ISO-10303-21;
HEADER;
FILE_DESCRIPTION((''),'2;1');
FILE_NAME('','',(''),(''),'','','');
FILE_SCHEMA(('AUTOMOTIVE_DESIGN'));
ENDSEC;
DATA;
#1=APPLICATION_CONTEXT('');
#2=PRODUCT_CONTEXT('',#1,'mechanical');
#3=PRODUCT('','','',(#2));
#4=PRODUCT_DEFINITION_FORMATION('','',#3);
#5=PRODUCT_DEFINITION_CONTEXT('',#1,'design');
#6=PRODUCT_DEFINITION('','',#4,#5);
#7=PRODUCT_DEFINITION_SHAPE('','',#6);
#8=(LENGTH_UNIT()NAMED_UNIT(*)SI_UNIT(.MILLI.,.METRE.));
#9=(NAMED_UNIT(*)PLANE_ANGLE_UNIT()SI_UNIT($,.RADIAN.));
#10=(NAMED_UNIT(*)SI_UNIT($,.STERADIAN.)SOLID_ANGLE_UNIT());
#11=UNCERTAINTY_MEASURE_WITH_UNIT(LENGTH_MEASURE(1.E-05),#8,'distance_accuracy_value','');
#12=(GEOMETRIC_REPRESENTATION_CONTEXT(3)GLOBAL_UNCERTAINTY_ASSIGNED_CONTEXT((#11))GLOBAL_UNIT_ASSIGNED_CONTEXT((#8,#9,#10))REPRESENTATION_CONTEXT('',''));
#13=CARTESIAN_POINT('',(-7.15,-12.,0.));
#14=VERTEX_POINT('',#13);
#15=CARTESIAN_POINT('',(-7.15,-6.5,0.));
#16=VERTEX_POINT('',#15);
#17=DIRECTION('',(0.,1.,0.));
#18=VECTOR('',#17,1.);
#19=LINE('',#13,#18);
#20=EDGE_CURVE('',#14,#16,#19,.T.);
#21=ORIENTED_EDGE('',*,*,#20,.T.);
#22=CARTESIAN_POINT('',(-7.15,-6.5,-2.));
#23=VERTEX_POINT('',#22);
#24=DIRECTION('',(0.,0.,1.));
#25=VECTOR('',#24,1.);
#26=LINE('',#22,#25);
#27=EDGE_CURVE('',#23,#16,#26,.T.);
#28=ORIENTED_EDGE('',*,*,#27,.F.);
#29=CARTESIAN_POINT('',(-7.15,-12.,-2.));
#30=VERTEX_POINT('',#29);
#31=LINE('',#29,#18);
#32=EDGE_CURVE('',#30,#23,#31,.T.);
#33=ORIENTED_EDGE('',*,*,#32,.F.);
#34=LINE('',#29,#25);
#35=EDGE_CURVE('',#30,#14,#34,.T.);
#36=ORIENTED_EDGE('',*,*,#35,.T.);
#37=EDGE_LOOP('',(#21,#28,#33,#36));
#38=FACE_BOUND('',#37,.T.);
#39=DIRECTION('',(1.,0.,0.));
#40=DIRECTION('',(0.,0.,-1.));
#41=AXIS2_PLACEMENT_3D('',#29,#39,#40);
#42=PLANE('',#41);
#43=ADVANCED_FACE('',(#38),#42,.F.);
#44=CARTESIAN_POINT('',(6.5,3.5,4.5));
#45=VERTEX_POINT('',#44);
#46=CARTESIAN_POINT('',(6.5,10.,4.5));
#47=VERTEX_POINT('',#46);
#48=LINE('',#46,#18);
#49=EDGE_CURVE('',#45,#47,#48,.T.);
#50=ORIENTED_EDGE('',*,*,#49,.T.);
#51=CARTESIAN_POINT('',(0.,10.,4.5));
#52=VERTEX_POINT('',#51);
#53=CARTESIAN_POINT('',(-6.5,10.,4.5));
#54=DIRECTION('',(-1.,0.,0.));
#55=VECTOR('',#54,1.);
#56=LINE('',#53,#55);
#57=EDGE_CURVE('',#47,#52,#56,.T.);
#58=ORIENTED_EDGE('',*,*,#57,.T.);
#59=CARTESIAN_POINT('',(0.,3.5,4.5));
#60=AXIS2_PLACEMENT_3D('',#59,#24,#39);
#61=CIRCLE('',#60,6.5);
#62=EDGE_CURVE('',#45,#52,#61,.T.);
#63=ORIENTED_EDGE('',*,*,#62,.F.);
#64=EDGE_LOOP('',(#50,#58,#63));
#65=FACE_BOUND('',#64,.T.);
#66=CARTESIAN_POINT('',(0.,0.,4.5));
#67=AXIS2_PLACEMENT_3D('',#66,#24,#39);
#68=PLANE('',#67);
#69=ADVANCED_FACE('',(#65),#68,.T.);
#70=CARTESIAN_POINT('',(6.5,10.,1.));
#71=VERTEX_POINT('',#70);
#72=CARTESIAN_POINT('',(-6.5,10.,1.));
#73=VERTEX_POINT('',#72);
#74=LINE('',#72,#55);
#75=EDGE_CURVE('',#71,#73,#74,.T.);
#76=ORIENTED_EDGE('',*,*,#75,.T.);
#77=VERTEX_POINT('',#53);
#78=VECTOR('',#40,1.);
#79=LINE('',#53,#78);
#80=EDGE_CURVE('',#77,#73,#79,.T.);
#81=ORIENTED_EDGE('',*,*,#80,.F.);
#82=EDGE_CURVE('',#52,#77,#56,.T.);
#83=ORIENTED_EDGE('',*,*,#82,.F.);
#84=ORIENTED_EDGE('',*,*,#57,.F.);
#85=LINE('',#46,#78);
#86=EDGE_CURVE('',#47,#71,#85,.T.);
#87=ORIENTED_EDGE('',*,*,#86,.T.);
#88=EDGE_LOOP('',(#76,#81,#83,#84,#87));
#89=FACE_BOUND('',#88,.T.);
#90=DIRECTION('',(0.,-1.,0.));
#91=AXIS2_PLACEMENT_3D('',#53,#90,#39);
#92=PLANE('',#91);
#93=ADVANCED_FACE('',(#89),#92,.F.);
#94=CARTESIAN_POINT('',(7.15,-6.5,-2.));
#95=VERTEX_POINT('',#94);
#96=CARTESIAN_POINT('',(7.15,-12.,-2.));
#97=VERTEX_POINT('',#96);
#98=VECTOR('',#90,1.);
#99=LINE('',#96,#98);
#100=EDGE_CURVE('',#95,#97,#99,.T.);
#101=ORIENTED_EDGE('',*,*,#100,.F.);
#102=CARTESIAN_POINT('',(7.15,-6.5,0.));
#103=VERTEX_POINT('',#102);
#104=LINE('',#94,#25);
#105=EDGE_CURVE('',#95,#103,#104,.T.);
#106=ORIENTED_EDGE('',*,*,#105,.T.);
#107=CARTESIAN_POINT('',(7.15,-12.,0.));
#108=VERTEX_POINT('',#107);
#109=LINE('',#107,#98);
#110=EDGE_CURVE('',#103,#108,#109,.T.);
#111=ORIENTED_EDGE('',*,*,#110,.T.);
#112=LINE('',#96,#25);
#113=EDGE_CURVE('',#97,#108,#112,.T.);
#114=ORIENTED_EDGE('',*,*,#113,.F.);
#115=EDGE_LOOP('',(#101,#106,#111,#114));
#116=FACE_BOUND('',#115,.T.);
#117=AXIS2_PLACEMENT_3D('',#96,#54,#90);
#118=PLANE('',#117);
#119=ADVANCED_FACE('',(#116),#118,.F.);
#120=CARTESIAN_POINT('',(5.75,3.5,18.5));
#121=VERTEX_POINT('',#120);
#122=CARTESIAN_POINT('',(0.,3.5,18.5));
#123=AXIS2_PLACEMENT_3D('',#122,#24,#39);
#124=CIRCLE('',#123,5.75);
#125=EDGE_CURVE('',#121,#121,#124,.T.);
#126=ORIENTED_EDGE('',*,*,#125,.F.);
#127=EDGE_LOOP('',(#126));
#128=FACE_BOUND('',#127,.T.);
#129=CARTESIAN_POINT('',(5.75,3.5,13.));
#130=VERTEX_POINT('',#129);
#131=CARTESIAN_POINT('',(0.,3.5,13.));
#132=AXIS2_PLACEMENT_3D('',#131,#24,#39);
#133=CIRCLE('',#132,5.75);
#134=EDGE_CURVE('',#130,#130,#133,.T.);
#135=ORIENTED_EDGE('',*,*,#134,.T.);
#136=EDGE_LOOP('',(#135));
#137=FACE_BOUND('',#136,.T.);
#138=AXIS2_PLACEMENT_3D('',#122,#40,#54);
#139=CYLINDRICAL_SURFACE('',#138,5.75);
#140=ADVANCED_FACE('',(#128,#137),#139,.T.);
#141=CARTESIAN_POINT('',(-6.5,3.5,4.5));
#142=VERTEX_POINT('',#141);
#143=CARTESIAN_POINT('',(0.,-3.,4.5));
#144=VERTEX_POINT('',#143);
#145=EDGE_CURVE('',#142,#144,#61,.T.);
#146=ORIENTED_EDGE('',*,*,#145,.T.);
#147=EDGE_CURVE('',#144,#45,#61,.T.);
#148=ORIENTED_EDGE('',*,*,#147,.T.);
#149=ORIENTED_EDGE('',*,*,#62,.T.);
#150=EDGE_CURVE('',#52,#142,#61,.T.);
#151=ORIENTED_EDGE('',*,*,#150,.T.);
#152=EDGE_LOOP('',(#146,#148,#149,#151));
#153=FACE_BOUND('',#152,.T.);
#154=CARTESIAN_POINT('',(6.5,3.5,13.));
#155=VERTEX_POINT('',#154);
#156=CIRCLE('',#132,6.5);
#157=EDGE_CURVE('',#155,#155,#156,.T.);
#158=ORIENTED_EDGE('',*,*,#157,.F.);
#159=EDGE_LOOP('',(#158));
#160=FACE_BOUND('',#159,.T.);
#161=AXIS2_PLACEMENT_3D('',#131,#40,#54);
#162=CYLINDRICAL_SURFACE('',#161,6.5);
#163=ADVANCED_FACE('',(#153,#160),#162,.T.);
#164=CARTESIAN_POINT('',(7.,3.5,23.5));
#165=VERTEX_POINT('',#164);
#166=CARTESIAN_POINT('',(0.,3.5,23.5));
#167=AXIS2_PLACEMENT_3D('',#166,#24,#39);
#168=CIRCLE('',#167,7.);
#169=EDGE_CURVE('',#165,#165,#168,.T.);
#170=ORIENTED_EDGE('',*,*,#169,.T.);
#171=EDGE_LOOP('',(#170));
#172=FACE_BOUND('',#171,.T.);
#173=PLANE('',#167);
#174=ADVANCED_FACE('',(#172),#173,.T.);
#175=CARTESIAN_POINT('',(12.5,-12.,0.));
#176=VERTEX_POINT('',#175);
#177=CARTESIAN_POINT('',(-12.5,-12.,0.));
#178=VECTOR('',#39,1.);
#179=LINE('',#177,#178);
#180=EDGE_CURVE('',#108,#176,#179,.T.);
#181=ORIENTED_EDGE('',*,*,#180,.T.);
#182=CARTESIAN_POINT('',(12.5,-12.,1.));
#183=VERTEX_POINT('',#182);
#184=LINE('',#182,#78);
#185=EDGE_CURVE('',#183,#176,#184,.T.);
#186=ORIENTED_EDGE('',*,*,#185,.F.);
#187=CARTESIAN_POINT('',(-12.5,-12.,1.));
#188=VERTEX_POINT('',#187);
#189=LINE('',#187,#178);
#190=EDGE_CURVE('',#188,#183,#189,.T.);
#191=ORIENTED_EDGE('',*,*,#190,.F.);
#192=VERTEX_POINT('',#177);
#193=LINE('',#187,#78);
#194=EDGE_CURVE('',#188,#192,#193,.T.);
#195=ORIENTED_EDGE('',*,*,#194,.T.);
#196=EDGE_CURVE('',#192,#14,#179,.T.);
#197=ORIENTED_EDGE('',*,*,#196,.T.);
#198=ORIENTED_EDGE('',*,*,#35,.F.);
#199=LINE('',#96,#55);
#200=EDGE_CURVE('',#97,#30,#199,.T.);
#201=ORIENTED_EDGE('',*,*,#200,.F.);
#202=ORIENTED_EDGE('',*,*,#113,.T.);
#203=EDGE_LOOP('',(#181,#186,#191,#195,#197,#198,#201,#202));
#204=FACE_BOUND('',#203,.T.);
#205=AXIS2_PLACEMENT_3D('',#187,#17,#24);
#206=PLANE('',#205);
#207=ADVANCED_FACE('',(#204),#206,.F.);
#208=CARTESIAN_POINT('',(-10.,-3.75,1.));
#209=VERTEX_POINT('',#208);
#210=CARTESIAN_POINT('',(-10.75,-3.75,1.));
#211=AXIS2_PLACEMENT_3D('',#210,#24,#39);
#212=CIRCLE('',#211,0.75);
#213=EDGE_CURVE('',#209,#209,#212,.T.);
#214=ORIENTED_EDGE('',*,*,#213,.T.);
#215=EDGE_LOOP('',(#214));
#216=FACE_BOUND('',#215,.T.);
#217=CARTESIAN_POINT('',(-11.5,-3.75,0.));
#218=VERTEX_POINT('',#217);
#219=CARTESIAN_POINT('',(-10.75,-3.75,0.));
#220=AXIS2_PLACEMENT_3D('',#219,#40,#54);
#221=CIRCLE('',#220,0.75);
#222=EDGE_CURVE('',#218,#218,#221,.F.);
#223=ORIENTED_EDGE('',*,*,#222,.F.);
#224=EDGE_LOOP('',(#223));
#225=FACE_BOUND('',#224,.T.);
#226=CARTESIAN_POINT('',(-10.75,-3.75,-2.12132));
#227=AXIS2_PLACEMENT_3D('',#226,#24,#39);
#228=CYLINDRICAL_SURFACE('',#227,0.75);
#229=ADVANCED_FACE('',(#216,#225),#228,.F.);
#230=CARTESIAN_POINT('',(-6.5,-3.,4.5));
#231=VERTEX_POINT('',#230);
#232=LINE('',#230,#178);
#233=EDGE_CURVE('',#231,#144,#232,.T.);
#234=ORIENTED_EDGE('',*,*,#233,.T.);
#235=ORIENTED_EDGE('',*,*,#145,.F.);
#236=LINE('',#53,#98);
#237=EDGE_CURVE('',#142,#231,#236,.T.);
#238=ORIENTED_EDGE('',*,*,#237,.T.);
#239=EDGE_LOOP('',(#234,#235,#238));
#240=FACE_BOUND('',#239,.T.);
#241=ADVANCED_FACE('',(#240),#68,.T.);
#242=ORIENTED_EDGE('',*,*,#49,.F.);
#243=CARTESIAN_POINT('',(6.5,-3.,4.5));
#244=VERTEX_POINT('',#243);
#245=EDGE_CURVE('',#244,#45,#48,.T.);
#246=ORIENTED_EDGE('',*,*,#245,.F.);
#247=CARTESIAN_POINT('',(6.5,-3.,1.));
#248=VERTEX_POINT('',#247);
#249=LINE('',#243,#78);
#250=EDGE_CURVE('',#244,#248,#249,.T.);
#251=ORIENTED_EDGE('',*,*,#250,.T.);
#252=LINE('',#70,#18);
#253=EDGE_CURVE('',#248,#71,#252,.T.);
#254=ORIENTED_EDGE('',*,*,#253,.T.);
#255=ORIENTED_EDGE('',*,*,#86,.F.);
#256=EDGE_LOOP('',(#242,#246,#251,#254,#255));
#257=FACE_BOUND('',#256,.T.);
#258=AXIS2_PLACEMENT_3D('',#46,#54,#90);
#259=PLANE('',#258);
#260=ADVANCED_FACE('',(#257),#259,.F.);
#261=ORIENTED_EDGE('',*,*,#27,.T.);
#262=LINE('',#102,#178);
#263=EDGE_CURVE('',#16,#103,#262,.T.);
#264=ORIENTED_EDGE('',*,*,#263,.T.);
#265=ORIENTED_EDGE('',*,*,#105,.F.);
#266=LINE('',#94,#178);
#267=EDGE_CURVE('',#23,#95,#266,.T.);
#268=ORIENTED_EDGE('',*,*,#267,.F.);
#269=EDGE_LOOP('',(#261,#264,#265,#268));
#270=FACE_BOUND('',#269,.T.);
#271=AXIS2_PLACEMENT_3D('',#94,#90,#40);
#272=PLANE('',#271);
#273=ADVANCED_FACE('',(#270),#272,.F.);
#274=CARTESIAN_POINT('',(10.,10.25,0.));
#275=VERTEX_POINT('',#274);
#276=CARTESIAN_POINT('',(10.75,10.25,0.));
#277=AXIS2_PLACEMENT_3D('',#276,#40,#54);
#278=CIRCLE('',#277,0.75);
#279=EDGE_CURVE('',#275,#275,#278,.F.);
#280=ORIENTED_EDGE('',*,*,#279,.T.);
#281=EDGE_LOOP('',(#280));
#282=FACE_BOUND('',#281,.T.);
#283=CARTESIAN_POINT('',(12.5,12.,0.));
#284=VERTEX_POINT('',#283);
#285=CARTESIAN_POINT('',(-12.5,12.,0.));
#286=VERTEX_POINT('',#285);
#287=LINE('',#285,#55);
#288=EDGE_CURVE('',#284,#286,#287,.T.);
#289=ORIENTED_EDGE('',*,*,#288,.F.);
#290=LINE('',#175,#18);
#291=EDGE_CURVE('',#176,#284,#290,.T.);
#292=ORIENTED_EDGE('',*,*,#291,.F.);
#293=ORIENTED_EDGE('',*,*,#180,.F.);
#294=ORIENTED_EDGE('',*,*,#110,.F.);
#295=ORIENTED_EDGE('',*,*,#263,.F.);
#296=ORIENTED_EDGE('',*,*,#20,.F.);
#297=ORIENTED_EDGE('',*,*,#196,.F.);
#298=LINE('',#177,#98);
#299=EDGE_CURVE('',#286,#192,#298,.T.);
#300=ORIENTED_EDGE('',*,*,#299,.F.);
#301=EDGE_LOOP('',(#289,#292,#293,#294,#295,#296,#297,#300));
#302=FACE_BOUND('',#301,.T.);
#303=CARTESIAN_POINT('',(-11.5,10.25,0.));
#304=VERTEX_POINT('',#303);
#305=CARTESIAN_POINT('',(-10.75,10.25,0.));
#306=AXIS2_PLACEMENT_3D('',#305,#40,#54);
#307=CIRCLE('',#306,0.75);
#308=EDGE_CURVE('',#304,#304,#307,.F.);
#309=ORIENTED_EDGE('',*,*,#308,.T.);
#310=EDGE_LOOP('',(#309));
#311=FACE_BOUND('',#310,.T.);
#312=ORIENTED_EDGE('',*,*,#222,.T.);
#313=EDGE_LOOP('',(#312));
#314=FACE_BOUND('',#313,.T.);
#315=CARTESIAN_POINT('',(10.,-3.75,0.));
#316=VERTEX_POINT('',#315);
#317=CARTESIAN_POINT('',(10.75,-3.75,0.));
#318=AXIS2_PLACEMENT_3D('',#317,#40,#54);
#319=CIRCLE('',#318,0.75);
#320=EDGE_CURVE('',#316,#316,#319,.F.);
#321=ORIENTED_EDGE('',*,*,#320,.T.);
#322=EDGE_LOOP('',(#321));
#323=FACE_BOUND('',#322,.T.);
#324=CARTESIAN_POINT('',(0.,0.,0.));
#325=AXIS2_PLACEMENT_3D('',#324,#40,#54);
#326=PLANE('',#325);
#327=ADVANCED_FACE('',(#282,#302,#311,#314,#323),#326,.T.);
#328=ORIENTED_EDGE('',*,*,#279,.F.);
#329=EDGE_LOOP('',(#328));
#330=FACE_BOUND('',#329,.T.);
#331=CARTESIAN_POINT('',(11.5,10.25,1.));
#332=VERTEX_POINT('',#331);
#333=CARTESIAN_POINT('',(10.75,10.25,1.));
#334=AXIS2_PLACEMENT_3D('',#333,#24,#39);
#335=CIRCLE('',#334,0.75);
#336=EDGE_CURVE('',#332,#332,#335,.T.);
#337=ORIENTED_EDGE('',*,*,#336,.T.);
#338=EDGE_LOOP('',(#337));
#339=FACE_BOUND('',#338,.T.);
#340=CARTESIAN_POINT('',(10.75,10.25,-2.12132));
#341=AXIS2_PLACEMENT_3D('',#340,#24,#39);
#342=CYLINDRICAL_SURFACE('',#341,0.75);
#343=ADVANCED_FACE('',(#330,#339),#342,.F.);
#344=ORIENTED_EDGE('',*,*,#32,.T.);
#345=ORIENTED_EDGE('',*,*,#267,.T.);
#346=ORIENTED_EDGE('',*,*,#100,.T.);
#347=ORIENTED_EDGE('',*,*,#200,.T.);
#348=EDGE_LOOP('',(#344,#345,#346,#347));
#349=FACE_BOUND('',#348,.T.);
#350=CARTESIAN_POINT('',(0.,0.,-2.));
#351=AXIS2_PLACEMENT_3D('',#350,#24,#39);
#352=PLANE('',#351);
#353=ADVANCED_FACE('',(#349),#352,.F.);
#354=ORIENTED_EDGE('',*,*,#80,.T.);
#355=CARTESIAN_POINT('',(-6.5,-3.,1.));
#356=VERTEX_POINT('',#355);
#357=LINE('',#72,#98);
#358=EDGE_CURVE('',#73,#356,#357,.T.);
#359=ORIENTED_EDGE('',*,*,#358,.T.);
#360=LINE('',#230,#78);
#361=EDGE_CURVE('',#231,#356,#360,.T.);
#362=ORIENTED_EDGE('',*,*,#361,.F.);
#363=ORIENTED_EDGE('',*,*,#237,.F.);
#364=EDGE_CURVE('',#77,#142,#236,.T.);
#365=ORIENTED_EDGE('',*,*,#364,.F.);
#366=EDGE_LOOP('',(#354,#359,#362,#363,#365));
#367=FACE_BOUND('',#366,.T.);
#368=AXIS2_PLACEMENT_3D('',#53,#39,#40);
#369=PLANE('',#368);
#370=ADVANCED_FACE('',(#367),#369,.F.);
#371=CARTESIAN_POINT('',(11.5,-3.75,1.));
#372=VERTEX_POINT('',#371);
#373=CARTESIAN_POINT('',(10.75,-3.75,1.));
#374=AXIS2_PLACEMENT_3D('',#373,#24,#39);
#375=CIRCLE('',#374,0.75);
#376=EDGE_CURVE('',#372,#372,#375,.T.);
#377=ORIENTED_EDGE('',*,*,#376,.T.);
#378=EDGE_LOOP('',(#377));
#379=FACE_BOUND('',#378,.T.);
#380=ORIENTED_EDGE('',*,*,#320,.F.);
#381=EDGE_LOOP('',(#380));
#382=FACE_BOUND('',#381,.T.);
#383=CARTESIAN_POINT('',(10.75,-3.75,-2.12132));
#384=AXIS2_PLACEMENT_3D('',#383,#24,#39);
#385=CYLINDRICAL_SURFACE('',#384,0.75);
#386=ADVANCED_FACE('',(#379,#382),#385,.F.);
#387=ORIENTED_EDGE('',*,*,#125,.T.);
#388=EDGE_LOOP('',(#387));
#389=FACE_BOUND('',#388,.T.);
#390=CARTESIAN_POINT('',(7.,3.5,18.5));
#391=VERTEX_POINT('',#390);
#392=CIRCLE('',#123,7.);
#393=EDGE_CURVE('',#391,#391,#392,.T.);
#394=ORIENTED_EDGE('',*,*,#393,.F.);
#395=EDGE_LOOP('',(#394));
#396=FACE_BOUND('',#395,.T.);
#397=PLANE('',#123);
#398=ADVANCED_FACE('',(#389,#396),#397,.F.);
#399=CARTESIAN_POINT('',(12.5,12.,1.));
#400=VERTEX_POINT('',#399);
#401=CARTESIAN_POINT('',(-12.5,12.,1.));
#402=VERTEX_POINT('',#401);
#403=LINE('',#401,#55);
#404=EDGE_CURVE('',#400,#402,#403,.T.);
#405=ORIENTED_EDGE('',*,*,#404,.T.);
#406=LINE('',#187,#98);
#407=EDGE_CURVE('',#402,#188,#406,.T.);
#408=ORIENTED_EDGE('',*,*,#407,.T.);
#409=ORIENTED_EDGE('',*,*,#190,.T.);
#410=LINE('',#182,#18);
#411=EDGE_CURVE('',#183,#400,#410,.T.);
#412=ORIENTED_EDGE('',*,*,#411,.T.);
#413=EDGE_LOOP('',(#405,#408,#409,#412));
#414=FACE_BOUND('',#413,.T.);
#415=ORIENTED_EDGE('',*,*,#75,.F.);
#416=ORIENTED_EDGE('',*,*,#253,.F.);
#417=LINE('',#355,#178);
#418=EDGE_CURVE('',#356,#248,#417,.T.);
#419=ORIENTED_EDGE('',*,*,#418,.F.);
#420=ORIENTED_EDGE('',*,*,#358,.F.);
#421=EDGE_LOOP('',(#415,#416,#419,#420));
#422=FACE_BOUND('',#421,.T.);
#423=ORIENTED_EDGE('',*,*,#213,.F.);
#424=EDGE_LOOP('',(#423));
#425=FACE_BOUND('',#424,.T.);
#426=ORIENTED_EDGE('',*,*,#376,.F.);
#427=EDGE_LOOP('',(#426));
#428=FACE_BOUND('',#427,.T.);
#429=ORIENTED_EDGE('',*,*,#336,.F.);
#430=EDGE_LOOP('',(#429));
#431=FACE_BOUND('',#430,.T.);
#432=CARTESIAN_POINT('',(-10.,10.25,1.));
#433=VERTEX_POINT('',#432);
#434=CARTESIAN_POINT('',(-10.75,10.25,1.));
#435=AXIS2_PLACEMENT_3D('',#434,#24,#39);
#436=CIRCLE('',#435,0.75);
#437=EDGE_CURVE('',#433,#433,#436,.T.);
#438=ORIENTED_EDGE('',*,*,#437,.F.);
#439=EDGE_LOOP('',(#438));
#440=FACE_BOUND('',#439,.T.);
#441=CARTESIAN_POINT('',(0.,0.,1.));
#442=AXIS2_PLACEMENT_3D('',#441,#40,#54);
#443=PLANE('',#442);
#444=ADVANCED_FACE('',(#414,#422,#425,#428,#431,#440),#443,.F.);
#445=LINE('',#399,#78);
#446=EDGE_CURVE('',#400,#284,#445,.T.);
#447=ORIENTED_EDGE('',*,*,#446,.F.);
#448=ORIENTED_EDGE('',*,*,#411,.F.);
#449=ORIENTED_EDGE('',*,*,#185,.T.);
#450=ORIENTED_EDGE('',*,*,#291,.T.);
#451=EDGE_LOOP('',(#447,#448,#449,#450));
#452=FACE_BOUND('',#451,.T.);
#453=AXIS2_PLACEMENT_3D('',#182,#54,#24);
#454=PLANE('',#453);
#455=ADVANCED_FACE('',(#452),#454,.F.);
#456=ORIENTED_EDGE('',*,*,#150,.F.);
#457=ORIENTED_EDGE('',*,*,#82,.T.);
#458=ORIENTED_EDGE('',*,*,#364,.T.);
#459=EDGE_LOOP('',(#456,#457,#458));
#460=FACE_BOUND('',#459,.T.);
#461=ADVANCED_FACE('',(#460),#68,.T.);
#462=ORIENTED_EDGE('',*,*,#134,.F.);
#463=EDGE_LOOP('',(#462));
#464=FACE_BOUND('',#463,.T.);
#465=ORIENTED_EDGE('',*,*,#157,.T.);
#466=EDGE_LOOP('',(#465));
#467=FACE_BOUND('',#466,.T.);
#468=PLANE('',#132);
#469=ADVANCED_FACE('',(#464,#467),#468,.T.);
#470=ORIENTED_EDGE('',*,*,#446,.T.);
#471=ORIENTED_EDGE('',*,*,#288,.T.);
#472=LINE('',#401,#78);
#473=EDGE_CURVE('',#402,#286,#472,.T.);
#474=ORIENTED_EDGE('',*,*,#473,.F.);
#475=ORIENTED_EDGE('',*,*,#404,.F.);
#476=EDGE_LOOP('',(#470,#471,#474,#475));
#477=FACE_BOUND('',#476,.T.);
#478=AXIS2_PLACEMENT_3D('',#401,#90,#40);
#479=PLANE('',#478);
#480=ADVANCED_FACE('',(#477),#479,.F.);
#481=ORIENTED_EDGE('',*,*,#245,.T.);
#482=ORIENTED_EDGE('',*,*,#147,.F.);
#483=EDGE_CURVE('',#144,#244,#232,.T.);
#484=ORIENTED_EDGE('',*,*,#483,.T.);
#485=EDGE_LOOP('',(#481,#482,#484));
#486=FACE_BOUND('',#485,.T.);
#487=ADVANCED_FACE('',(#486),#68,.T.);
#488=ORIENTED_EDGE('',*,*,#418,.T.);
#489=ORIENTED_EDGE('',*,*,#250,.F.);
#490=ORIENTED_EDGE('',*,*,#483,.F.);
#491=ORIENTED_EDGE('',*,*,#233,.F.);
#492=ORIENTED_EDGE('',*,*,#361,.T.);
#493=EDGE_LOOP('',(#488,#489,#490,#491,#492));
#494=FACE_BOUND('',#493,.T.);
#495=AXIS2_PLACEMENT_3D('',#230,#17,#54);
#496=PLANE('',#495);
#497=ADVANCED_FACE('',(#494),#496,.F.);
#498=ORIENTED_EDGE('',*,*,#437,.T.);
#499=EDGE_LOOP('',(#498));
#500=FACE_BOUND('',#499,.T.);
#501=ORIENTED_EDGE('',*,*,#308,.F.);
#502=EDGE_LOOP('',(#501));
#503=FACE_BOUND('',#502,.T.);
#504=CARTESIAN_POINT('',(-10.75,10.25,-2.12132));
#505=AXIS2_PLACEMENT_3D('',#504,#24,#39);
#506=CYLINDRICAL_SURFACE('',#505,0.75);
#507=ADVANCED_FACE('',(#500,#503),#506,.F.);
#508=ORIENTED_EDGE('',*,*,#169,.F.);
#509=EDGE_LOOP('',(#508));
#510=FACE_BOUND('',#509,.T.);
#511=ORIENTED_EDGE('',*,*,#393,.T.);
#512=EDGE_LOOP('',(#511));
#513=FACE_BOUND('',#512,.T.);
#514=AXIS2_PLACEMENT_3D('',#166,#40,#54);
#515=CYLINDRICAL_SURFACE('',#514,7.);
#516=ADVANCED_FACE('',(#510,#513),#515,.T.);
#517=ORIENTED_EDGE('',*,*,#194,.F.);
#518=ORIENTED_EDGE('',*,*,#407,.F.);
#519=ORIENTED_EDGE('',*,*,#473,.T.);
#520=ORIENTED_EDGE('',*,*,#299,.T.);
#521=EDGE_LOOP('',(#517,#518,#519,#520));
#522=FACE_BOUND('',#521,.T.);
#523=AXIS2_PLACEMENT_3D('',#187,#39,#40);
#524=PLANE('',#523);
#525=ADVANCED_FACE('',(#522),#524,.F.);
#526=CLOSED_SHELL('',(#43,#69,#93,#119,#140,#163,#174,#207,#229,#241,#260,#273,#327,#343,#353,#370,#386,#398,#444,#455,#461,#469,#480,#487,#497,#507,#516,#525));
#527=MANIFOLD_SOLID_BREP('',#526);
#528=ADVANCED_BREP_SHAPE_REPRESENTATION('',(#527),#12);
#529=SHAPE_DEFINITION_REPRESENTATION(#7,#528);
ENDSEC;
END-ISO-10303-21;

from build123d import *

# Parameters (mm, degrees)
SKETCH_1_W          = 25
SKETCH_1_H          = 24
EXTRUDE_1_DEPTH     = 1
SKETCH_2_W          = 13
SKETCH_2_H          = 13
EXTRUDE_2_DEPTH     = 3.5
SKETCH_3_R          = 6.5
EXTRUDE_3_DEPTH     = 8.5
SKETCH_4_R          = 5.75
EXTRUDE_4_DEPTH     = 5.5
SKETCH_5_R          = 7
EXTRUDE_5_DEPTH     = 5
SKETCH_6_R          = 0.75
CUT_EXTRUDE_1_DEPTH = 1
SKETCH_7_W          = 14.3
SKETCH_7_H          = 5.5
EXTRUDE_6_DEPTH     = 2


with BuildPart() as part:
    # 草图1 → 凸台-拉伸1 (new body)
    with BuildSketch(Plane.XY):
        Rectangle(SKETCH_1_W, SKETCH_1_H)
    extrude(amount=EXTRUDE_1_DEPTH)

    # 草图2 → 凸台-拉伸2 (add)
    with BuildSketch(Plane.XY.offset(1)):
        with Locations((0, 3.5)):
            Rectangle(SKETCH_2_W, SKETCH_2_H)
    extrude(amount=EXTRUDE_2_DEPTH)

    # 草图3 → 凸台-拉伸3 (add)
    with BuildSketch(Plane.XY.offset(4.5)):
        with Locations((0, 3.5)):
            Circle(SKETCH_3_R)
    extrude(amount=EXTRUDE_3_DEPTH)

    # 草图4 → 凸台-拉伸4 (add)
    with BuildSketch(Plane.XY.offset(13)):
        with Locations((0, 3.5)):
            Circle(SKETCH_4_R)
    extrude(amount=EXTRUDE_4_DEPTH)

    # 草图5 → 凸台-拉伸5 (add)
    with BuildSketch(Plane.XY.offset(18.5)):
        with Locations((0, 3.5)):
            Circle(SKETCH_5_R)
    extrude(amount=EXTRUDE_5_DEPTH)

    # 草图6 → 切除-拉伸1 (cut)
    with BuildSketch(Plane.XY.offset(1)):
        with Locations((10.75, 10.25)):
            Circle(SKETCH_6_R)
        with Locations((10.75, -3.75)):
            Circle(SKETCH_6_R)
        with Locations((-10.75, 10.25)):
            Circle(SKETCH_6_R)
        with Locations((-10.75, -3.75)):
            Circle(SKETCH_6_R)
    extrude(amount=-CUT_EXTRUDE_1_DEPTH, mode=Mode.SUBTRACT)

    # 草图7 → 凸台-拉伸6 (add)
    with BuildSketch(Plane(origin=(0, 0, 0), x_dir=(-1, 0, 0), z_dir=(0, 0, -1))):
        with Locations((0, -9.25)):
            Rectangle(SKETCH_7_W, SKETCH_7_H)
    extrude(amount=EXTRUDE_6_DEPTH)


solid = part.part
